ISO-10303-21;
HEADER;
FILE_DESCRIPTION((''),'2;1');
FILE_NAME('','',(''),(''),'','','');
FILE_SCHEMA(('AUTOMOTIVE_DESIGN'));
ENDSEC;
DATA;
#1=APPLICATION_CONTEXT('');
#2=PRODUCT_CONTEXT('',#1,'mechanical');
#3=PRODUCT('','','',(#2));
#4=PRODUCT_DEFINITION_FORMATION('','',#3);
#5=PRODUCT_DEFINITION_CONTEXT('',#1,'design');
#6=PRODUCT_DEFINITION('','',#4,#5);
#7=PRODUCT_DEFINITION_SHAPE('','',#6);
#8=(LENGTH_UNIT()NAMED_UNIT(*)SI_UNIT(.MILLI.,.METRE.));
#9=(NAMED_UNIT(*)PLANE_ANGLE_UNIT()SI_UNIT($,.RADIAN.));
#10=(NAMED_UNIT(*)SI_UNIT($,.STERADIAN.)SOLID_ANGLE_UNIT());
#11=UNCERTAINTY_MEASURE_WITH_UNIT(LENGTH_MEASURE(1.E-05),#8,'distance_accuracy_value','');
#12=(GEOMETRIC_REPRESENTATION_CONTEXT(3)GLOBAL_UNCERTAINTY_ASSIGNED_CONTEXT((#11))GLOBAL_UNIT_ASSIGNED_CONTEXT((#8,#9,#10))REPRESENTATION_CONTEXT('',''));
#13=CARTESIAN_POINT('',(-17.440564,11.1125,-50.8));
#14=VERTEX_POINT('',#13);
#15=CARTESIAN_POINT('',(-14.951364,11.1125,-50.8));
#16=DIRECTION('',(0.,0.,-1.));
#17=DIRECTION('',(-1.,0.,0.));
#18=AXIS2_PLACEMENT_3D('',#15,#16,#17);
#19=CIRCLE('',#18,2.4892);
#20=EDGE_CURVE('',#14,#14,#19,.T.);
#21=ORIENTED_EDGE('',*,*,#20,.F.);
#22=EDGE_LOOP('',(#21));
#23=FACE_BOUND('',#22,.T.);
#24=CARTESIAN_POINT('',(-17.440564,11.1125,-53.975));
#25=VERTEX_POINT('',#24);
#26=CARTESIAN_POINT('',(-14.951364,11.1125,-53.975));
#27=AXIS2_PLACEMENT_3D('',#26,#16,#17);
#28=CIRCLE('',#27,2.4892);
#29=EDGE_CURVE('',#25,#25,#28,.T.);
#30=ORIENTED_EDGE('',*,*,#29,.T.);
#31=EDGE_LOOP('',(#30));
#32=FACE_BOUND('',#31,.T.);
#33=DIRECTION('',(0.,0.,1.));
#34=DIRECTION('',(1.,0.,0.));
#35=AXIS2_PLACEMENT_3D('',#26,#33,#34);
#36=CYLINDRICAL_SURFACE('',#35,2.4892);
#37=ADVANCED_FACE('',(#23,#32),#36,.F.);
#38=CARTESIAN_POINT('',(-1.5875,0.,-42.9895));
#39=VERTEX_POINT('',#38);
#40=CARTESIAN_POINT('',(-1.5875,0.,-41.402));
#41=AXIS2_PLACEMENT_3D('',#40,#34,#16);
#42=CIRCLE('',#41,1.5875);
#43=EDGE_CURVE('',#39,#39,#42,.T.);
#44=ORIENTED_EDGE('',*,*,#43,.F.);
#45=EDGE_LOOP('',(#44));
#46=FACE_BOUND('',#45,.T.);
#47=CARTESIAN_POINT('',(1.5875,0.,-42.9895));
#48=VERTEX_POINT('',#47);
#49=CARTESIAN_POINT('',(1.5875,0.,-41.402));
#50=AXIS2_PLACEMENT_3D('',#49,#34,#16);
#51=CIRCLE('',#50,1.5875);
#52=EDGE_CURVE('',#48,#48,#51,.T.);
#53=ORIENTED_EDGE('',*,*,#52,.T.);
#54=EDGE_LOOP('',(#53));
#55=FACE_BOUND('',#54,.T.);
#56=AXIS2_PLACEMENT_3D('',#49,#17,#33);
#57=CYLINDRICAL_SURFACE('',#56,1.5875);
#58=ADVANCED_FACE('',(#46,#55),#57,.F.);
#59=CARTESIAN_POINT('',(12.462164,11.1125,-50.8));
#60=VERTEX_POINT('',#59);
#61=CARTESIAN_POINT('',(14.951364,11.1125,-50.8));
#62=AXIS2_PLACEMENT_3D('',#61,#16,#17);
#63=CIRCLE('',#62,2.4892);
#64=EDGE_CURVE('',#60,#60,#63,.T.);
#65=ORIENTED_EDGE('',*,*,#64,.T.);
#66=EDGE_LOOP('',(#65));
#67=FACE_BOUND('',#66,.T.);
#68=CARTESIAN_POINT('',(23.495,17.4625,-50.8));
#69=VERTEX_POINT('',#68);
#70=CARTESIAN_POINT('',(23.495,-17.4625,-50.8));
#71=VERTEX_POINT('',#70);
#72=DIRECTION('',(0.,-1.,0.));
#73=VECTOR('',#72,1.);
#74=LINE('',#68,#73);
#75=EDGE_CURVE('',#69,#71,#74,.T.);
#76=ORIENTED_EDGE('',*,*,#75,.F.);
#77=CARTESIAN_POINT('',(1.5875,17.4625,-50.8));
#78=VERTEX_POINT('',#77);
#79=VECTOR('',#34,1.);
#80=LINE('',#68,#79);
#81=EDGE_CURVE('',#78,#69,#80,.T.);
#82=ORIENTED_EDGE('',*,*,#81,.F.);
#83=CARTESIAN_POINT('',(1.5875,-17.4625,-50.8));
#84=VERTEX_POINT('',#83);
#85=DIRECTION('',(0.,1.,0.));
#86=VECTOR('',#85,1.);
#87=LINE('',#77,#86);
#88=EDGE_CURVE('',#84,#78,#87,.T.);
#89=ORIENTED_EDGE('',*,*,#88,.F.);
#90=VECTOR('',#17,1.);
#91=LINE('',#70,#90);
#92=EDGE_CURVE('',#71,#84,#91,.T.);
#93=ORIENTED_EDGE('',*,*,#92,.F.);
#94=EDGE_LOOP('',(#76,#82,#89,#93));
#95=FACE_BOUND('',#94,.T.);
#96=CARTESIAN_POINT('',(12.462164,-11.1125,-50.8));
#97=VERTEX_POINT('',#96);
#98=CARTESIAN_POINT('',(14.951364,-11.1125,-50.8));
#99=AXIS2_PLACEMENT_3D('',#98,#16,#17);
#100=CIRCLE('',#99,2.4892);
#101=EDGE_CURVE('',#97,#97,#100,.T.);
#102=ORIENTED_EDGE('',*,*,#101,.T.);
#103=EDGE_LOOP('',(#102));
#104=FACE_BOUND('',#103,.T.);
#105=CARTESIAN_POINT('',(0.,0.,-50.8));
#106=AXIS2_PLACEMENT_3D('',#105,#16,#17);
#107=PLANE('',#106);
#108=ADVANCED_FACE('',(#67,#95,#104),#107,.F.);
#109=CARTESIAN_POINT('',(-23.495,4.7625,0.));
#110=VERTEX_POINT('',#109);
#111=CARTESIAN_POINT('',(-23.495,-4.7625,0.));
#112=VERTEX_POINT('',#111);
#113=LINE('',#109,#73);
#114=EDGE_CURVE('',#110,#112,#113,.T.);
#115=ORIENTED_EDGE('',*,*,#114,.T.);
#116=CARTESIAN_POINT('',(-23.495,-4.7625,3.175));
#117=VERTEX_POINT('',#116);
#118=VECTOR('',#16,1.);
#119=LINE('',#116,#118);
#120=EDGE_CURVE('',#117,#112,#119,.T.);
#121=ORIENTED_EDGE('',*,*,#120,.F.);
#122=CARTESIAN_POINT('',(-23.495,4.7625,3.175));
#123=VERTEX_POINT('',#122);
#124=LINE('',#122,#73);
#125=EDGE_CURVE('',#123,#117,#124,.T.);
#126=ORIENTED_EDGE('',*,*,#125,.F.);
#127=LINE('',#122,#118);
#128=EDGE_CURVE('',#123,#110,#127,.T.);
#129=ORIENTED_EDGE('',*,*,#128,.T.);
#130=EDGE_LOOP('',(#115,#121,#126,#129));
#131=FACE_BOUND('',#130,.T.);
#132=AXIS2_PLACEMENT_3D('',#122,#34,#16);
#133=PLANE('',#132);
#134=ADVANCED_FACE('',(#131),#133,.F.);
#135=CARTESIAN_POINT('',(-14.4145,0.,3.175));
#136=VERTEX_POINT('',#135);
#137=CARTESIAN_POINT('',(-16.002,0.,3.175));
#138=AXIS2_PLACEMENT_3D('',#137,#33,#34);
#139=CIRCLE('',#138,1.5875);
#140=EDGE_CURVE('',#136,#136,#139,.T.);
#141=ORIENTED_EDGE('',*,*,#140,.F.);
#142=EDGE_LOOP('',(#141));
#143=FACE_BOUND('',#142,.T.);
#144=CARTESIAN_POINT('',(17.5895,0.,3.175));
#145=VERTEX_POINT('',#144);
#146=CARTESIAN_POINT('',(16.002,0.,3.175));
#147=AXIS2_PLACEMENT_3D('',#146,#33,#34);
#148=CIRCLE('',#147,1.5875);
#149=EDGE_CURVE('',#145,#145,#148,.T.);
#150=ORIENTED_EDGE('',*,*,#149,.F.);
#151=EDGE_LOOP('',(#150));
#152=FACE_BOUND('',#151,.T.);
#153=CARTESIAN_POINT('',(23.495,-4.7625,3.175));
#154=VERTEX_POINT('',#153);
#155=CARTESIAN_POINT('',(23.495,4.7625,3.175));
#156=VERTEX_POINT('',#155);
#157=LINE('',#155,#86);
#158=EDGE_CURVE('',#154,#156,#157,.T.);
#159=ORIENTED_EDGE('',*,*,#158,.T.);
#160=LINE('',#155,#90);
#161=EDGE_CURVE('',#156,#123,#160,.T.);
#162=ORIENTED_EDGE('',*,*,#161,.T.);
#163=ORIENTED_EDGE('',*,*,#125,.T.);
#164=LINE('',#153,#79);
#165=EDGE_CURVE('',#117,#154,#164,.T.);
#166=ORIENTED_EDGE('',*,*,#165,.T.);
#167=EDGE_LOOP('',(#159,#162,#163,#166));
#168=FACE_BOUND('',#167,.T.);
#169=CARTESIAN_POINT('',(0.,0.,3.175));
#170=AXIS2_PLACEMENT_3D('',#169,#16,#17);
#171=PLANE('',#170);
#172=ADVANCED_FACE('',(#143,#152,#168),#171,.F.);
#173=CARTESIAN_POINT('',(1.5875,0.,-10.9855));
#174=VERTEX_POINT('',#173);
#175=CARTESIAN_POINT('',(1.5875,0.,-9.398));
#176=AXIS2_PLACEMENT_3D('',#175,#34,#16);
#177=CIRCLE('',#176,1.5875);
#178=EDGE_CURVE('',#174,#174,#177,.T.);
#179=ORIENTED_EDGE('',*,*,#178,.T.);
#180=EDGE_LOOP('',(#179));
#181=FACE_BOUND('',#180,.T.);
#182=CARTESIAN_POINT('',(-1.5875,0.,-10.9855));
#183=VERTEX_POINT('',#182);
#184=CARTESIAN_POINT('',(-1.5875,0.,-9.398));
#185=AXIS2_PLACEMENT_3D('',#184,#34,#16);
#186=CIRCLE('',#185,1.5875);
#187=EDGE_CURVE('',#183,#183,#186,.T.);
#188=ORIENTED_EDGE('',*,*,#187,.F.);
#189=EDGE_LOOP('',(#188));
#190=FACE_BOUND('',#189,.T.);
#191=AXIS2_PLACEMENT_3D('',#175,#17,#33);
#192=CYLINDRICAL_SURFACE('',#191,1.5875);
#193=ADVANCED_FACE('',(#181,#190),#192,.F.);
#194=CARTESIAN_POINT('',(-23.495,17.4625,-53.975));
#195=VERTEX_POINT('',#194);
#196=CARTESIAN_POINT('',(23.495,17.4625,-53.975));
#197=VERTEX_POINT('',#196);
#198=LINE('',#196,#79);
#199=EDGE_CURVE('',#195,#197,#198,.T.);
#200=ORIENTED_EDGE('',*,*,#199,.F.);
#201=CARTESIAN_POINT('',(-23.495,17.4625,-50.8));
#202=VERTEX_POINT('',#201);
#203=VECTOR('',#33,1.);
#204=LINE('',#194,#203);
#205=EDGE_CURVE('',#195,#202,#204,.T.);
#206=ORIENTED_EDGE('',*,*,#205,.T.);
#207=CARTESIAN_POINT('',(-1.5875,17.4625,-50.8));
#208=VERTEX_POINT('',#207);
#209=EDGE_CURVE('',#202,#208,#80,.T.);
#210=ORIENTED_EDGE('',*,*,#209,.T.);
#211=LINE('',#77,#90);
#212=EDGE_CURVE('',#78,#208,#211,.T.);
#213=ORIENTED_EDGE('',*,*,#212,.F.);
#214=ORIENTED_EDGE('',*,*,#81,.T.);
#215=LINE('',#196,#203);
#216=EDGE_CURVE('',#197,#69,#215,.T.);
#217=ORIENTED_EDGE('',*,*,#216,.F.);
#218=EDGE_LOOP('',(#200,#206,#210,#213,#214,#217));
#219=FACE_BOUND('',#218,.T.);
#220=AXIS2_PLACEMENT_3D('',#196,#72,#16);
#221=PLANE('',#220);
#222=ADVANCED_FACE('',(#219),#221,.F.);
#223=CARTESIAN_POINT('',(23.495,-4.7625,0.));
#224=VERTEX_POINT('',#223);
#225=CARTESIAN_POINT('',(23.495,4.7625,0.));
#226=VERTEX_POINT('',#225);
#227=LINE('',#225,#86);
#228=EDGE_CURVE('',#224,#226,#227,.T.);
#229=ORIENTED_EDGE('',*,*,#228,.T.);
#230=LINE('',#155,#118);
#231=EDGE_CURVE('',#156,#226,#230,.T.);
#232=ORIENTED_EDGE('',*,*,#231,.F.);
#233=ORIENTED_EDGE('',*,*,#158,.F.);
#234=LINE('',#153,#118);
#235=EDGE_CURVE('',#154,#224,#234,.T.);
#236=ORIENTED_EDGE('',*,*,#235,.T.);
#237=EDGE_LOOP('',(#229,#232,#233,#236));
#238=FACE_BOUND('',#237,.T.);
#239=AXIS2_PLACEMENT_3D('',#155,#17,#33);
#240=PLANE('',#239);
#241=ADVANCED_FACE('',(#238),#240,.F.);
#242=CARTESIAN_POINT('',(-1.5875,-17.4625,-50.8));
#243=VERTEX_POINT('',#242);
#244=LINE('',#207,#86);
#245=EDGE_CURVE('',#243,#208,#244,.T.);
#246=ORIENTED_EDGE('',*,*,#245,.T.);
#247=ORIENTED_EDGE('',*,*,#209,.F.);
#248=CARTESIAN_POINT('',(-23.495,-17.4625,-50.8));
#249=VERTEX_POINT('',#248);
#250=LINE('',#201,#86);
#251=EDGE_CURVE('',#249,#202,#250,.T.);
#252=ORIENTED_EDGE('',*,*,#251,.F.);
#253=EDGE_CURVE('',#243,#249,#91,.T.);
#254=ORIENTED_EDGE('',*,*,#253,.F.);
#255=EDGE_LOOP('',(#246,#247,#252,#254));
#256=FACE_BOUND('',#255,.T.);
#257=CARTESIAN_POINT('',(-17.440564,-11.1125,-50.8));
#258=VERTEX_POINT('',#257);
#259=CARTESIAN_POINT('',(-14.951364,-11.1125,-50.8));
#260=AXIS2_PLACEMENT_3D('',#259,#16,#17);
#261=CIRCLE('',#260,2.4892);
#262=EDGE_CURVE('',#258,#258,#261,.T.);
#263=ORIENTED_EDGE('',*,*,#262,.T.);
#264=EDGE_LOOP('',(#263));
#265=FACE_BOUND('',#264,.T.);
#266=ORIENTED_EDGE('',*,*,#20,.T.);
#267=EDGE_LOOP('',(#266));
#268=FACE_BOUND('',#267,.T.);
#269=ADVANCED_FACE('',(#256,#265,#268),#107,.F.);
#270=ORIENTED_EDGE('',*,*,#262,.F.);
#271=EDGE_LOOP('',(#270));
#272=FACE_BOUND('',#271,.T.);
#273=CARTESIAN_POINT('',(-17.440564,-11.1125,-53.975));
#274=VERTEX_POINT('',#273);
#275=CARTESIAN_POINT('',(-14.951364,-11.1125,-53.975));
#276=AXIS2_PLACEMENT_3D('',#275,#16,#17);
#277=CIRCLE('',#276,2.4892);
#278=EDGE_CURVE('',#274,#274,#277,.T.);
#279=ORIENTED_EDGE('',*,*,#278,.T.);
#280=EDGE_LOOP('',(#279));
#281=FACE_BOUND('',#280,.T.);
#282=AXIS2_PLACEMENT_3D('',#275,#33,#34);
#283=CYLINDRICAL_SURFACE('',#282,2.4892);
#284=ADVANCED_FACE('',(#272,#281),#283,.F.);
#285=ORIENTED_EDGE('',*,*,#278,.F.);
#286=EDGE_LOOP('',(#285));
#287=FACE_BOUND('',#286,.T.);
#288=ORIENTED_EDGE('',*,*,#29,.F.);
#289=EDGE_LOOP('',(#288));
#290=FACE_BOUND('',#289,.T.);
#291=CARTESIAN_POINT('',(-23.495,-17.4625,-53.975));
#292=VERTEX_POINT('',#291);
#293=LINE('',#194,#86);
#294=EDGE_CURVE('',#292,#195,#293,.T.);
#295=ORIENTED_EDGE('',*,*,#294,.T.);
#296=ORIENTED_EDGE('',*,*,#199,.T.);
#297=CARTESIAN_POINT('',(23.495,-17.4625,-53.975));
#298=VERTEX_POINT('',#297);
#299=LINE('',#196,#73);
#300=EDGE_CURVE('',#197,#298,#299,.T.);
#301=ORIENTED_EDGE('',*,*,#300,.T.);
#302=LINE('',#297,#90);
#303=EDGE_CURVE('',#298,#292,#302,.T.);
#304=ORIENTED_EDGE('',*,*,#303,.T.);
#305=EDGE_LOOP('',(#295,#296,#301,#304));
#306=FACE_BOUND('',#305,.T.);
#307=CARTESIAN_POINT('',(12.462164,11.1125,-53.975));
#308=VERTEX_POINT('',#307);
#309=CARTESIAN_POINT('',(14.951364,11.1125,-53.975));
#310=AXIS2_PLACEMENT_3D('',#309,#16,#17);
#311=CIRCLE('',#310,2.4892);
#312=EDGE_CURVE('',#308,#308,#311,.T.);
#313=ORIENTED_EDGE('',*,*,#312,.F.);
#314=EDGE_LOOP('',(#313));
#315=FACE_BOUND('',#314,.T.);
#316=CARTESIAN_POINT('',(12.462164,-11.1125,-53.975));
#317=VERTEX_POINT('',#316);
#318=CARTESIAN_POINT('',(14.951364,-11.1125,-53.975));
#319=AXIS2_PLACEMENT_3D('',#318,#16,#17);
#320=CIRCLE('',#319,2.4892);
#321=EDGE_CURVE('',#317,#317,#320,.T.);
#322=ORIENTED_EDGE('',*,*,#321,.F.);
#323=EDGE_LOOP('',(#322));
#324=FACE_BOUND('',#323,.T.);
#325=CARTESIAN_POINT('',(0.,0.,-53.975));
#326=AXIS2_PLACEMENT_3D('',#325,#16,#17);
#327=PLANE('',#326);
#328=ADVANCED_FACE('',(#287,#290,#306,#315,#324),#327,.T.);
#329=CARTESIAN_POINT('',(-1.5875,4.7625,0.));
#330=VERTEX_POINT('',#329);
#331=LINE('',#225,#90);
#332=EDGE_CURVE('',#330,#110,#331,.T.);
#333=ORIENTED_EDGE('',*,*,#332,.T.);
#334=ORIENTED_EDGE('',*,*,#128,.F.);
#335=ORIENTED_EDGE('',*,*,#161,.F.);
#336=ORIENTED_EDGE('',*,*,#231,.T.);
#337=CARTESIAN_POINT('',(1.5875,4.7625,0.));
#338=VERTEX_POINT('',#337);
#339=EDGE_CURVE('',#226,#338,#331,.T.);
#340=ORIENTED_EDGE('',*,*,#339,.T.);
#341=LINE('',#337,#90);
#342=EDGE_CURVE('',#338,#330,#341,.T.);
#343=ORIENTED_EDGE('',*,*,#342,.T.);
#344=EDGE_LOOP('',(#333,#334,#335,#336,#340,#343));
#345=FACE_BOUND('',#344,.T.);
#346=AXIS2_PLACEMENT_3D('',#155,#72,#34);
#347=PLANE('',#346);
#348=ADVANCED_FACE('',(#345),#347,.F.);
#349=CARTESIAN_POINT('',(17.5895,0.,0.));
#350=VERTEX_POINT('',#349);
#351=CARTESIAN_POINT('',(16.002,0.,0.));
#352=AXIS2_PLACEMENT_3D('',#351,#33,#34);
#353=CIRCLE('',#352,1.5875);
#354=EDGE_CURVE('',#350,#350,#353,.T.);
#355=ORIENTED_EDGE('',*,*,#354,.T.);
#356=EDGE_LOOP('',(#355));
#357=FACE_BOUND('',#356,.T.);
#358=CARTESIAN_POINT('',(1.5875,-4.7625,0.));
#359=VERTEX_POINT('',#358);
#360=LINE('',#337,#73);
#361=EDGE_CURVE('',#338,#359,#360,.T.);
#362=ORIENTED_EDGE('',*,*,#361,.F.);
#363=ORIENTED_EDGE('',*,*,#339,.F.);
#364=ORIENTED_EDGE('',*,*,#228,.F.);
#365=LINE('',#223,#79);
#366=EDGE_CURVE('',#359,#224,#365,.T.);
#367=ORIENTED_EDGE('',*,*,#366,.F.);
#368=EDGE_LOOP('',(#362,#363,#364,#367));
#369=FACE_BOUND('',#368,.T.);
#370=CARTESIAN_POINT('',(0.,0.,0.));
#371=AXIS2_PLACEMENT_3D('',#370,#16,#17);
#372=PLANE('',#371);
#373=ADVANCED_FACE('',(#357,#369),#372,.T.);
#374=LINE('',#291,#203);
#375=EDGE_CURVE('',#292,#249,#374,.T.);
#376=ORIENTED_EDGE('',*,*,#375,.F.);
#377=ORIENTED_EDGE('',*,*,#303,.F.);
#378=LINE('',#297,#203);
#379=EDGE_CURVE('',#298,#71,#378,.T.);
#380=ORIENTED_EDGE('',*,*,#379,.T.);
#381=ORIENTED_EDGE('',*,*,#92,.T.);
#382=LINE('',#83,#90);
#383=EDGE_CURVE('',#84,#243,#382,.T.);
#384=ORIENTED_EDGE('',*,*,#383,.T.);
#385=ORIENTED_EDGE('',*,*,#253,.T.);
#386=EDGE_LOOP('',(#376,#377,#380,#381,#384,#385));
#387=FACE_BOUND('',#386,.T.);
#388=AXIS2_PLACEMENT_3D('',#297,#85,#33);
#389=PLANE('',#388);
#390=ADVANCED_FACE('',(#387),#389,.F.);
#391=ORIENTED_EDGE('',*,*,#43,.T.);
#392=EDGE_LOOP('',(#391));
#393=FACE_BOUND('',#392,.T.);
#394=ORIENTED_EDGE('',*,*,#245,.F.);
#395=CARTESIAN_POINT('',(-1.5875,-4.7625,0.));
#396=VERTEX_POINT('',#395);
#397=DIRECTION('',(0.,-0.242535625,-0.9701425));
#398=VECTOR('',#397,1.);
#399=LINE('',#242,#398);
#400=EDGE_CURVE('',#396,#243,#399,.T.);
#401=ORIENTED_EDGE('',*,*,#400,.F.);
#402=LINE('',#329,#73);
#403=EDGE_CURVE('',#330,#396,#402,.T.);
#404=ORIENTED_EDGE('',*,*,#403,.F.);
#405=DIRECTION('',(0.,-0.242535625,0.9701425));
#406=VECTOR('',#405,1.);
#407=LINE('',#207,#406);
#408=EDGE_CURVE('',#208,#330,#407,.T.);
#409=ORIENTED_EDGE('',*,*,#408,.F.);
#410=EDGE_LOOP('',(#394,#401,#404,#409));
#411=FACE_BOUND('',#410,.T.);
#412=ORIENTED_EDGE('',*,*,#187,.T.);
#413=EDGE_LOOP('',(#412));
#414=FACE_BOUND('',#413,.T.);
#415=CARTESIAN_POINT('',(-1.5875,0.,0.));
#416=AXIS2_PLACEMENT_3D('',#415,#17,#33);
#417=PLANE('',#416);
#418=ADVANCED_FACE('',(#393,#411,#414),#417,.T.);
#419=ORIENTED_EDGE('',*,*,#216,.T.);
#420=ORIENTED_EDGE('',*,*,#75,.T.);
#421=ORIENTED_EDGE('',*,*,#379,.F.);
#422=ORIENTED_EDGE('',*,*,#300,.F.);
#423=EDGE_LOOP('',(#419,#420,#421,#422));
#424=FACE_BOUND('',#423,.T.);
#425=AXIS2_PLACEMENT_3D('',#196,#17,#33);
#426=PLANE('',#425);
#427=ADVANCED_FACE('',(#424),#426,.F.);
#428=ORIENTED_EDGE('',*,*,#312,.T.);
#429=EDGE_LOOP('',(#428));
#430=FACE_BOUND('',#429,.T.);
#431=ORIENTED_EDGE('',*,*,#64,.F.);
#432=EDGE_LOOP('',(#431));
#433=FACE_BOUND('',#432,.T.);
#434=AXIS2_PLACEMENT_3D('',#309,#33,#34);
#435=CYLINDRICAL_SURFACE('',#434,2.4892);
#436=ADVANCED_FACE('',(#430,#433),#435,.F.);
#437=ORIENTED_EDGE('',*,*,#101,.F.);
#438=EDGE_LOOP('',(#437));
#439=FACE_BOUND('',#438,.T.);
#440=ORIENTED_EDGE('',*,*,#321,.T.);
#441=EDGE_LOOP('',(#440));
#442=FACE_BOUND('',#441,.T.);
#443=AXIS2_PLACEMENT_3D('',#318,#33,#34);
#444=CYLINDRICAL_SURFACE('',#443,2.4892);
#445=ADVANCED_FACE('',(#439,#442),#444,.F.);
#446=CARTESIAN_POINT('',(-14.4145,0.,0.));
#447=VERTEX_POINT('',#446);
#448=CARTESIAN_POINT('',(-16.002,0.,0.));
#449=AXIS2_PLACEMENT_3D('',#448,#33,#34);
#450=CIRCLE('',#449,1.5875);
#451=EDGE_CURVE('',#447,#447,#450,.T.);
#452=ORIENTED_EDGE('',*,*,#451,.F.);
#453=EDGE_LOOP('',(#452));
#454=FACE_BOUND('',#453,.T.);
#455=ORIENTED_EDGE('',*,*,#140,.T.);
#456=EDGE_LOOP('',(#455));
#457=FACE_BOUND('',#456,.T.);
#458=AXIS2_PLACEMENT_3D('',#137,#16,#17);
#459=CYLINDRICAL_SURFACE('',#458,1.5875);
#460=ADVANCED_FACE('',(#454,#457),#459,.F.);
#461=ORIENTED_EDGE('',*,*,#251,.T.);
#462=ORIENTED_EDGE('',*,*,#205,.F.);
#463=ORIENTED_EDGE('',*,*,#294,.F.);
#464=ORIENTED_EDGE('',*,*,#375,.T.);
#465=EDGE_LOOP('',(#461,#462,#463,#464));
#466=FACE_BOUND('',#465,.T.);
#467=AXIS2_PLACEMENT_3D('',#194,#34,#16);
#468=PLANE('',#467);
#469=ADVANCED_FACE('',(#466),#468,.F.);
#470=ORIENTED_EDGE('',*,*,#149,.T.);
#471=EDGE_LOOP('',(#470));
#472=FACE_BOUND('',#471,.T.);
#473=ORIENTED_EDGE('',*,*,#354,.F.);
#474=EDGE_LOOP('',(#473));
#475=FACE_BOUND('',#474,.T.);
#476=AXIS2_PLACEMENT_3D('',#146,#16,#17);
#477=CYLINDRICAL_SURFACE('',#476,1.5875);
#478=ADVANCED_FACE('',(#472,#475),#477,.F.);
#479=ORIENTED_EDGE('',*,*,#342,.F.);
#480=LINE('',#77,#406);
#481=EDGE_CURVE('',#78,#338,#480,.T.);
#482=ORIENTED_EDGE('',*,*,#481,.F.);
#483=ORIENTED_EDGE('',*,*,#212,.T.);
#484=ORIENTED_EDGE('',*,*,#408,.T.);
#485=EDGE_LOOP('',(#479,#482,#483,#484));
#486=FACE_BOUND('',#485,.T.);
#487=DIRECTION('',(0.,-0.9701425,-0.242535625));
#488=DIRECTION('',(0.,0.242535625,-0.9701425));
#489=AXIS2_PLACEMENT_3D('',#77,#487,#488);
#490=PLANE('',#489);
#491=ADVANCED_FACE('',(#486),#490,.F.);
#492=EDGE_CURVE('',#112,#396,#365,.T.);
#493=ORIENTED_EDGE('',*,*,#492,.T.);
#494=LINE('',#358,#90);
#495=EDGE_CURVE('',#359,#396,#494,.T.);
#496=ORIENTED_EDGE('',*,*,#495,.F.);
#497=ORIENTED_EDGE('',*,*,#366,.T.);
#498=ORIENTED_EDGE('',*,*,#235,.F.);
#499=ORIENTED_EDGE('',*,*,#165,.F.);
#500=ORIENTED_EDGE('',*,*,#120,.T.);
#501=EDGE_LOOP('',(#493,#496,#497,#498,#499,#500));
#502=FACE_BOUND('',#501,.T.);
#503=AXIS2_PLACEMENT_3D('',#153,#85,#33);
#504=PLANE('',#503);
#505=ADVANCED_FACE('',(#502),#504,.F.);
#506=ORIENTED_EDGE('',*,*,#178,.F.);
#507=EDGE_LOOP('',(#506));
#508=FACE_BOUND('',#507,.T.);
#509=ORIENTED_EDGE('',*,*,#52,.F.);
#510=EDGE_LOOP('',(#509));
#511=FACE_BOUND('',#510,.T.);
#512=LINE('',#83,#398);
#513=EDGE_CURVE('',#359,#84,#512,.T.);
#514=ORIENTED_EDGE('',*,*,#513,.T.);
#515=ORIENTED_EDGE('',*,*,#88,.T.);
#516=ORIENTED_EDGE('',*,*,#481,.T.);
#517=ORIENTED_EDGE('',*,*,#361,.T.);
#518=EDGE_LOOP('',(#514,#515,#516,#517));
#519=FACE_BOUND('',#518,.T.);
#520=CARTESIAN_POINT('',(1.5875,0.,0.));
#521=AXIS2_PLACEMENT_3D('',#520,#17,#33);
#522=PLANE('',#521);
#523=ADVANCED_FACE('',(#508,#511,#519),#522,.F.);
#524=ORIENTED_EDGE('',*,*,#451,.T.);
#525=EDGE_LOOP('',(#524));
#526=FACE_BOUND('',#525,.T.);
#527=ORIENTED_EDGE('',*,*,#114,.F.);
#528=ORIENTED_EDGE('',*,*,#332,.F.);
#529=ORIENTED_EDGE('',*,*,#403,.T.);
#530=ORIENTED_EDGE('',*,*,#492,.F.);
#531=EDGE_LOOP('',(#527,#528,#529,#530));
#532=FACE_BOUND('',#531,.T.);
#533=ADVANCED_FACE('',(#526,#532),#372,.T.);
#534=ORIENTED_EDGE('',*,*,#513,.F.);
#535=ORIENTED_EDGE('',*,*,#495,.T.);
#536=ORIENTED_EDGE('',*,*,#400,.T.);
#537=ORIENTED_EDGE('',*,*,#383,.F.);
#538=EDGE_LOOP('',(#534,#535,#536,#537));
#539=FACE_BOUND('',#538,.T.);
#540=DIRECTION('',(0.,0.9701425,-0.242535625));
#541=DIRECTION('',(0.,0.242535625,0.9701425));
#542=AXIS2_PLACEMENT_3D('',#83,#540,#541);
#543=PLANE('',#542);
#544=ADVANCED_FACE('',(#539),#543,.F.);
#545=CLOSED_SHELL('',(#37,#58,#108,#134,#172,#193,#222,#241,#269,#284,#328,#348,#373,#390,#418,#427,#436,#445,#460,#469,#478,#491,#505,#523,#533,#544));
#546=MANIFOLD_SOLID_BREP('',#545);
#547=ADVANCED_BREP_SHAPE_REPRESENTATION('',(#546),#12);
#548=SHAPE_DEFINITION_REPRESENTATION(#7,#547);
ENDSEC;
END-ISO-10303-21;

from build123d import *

# Parameters (mm, degrees)
SKETCH1_W           = 46.99
SKETCH1_H           = 9.525
SKETCH1_R           = 1.5875
BOSS_EXTRUDE1_DEPTH = 3.175
SKETCH2_R           = 1.5875
BOSS_EXTRUDE2_DEPTH = 1.5875
SKETCH4_W           = 46.99
SKETCH4_H           = 34.925
SKETCH4_R           = 2.4892
BOSS_EXTRUDE3_DEPTH = 3.175


with BuildPart() as part:
    # Sketch1 → Boss-Extrude1 (new body)
    with BuildSketch(Plane.XY):
        Rectangle(SKETCH1_W, SKETCH1_H)
        with Locations((-16.002, 0)):
            Circle(SKETCH1_R, mode=Mode.SUBTRACT)
        with Locations((16.002, 0)):
            Circle(SKETCH1_R, mode=Mode.SUBTRACT)
    extrude(amount=BOSS_EXTRUDE1_DEPTH)

    # Sketch2 → Boss-Extrude2 (add, symmetric)
    with BuildSketch(Plane(origin=(0, 0, 0), x_dir=(0, 0, -1), z_dir=(1, 0, 0))):
        Polygon((50.8, 17.4625), (0, 4.7625), (0, -4.7625), (50.8, -17.4625), align=None)
        with Locations((9.398, 0)):
            Circle(SKETCH2_R, mode=Mode.SUBTRACT)
        with Locations((41.402, 0)):
            Circle(SKETCH2_R, mode=Mode.SUBTRACT)
    extrude(amount=BOSS_EXTRUDE2_DEPTH, both=True)

    # Sketch4 → Boss-Extrude3 (add)
    with BuildSketch(Plane(origin=(0, 0, -50.8), x_dir=(-1, 0, 0), z_dir=(0, 0, -1))):
        Rectangle(SKETCH4_W, SKETCH4_H)
        with Locations((-14.951363636, 11.1125)):
            Circle(SKETCH4_R, mode=Mode.SUBTRACT)
        with Locations((14.951363636, 11.1125)):
            Circle(SKETCH4_R, mode=Mode.SUBTRACT)
        with Locations((14.951363636, -11.1125)):
            Circle(SKETCH4_R, mode=Mode.SUBTRACT)
        with Locations((-14.951363636, -11.1125)):
            Circle(SKETCH4_R, mode=Mode.SUBTRACT)
    extrude(amount=BOSS_EXTRUDE3_DEPTH)


solid = part.part
